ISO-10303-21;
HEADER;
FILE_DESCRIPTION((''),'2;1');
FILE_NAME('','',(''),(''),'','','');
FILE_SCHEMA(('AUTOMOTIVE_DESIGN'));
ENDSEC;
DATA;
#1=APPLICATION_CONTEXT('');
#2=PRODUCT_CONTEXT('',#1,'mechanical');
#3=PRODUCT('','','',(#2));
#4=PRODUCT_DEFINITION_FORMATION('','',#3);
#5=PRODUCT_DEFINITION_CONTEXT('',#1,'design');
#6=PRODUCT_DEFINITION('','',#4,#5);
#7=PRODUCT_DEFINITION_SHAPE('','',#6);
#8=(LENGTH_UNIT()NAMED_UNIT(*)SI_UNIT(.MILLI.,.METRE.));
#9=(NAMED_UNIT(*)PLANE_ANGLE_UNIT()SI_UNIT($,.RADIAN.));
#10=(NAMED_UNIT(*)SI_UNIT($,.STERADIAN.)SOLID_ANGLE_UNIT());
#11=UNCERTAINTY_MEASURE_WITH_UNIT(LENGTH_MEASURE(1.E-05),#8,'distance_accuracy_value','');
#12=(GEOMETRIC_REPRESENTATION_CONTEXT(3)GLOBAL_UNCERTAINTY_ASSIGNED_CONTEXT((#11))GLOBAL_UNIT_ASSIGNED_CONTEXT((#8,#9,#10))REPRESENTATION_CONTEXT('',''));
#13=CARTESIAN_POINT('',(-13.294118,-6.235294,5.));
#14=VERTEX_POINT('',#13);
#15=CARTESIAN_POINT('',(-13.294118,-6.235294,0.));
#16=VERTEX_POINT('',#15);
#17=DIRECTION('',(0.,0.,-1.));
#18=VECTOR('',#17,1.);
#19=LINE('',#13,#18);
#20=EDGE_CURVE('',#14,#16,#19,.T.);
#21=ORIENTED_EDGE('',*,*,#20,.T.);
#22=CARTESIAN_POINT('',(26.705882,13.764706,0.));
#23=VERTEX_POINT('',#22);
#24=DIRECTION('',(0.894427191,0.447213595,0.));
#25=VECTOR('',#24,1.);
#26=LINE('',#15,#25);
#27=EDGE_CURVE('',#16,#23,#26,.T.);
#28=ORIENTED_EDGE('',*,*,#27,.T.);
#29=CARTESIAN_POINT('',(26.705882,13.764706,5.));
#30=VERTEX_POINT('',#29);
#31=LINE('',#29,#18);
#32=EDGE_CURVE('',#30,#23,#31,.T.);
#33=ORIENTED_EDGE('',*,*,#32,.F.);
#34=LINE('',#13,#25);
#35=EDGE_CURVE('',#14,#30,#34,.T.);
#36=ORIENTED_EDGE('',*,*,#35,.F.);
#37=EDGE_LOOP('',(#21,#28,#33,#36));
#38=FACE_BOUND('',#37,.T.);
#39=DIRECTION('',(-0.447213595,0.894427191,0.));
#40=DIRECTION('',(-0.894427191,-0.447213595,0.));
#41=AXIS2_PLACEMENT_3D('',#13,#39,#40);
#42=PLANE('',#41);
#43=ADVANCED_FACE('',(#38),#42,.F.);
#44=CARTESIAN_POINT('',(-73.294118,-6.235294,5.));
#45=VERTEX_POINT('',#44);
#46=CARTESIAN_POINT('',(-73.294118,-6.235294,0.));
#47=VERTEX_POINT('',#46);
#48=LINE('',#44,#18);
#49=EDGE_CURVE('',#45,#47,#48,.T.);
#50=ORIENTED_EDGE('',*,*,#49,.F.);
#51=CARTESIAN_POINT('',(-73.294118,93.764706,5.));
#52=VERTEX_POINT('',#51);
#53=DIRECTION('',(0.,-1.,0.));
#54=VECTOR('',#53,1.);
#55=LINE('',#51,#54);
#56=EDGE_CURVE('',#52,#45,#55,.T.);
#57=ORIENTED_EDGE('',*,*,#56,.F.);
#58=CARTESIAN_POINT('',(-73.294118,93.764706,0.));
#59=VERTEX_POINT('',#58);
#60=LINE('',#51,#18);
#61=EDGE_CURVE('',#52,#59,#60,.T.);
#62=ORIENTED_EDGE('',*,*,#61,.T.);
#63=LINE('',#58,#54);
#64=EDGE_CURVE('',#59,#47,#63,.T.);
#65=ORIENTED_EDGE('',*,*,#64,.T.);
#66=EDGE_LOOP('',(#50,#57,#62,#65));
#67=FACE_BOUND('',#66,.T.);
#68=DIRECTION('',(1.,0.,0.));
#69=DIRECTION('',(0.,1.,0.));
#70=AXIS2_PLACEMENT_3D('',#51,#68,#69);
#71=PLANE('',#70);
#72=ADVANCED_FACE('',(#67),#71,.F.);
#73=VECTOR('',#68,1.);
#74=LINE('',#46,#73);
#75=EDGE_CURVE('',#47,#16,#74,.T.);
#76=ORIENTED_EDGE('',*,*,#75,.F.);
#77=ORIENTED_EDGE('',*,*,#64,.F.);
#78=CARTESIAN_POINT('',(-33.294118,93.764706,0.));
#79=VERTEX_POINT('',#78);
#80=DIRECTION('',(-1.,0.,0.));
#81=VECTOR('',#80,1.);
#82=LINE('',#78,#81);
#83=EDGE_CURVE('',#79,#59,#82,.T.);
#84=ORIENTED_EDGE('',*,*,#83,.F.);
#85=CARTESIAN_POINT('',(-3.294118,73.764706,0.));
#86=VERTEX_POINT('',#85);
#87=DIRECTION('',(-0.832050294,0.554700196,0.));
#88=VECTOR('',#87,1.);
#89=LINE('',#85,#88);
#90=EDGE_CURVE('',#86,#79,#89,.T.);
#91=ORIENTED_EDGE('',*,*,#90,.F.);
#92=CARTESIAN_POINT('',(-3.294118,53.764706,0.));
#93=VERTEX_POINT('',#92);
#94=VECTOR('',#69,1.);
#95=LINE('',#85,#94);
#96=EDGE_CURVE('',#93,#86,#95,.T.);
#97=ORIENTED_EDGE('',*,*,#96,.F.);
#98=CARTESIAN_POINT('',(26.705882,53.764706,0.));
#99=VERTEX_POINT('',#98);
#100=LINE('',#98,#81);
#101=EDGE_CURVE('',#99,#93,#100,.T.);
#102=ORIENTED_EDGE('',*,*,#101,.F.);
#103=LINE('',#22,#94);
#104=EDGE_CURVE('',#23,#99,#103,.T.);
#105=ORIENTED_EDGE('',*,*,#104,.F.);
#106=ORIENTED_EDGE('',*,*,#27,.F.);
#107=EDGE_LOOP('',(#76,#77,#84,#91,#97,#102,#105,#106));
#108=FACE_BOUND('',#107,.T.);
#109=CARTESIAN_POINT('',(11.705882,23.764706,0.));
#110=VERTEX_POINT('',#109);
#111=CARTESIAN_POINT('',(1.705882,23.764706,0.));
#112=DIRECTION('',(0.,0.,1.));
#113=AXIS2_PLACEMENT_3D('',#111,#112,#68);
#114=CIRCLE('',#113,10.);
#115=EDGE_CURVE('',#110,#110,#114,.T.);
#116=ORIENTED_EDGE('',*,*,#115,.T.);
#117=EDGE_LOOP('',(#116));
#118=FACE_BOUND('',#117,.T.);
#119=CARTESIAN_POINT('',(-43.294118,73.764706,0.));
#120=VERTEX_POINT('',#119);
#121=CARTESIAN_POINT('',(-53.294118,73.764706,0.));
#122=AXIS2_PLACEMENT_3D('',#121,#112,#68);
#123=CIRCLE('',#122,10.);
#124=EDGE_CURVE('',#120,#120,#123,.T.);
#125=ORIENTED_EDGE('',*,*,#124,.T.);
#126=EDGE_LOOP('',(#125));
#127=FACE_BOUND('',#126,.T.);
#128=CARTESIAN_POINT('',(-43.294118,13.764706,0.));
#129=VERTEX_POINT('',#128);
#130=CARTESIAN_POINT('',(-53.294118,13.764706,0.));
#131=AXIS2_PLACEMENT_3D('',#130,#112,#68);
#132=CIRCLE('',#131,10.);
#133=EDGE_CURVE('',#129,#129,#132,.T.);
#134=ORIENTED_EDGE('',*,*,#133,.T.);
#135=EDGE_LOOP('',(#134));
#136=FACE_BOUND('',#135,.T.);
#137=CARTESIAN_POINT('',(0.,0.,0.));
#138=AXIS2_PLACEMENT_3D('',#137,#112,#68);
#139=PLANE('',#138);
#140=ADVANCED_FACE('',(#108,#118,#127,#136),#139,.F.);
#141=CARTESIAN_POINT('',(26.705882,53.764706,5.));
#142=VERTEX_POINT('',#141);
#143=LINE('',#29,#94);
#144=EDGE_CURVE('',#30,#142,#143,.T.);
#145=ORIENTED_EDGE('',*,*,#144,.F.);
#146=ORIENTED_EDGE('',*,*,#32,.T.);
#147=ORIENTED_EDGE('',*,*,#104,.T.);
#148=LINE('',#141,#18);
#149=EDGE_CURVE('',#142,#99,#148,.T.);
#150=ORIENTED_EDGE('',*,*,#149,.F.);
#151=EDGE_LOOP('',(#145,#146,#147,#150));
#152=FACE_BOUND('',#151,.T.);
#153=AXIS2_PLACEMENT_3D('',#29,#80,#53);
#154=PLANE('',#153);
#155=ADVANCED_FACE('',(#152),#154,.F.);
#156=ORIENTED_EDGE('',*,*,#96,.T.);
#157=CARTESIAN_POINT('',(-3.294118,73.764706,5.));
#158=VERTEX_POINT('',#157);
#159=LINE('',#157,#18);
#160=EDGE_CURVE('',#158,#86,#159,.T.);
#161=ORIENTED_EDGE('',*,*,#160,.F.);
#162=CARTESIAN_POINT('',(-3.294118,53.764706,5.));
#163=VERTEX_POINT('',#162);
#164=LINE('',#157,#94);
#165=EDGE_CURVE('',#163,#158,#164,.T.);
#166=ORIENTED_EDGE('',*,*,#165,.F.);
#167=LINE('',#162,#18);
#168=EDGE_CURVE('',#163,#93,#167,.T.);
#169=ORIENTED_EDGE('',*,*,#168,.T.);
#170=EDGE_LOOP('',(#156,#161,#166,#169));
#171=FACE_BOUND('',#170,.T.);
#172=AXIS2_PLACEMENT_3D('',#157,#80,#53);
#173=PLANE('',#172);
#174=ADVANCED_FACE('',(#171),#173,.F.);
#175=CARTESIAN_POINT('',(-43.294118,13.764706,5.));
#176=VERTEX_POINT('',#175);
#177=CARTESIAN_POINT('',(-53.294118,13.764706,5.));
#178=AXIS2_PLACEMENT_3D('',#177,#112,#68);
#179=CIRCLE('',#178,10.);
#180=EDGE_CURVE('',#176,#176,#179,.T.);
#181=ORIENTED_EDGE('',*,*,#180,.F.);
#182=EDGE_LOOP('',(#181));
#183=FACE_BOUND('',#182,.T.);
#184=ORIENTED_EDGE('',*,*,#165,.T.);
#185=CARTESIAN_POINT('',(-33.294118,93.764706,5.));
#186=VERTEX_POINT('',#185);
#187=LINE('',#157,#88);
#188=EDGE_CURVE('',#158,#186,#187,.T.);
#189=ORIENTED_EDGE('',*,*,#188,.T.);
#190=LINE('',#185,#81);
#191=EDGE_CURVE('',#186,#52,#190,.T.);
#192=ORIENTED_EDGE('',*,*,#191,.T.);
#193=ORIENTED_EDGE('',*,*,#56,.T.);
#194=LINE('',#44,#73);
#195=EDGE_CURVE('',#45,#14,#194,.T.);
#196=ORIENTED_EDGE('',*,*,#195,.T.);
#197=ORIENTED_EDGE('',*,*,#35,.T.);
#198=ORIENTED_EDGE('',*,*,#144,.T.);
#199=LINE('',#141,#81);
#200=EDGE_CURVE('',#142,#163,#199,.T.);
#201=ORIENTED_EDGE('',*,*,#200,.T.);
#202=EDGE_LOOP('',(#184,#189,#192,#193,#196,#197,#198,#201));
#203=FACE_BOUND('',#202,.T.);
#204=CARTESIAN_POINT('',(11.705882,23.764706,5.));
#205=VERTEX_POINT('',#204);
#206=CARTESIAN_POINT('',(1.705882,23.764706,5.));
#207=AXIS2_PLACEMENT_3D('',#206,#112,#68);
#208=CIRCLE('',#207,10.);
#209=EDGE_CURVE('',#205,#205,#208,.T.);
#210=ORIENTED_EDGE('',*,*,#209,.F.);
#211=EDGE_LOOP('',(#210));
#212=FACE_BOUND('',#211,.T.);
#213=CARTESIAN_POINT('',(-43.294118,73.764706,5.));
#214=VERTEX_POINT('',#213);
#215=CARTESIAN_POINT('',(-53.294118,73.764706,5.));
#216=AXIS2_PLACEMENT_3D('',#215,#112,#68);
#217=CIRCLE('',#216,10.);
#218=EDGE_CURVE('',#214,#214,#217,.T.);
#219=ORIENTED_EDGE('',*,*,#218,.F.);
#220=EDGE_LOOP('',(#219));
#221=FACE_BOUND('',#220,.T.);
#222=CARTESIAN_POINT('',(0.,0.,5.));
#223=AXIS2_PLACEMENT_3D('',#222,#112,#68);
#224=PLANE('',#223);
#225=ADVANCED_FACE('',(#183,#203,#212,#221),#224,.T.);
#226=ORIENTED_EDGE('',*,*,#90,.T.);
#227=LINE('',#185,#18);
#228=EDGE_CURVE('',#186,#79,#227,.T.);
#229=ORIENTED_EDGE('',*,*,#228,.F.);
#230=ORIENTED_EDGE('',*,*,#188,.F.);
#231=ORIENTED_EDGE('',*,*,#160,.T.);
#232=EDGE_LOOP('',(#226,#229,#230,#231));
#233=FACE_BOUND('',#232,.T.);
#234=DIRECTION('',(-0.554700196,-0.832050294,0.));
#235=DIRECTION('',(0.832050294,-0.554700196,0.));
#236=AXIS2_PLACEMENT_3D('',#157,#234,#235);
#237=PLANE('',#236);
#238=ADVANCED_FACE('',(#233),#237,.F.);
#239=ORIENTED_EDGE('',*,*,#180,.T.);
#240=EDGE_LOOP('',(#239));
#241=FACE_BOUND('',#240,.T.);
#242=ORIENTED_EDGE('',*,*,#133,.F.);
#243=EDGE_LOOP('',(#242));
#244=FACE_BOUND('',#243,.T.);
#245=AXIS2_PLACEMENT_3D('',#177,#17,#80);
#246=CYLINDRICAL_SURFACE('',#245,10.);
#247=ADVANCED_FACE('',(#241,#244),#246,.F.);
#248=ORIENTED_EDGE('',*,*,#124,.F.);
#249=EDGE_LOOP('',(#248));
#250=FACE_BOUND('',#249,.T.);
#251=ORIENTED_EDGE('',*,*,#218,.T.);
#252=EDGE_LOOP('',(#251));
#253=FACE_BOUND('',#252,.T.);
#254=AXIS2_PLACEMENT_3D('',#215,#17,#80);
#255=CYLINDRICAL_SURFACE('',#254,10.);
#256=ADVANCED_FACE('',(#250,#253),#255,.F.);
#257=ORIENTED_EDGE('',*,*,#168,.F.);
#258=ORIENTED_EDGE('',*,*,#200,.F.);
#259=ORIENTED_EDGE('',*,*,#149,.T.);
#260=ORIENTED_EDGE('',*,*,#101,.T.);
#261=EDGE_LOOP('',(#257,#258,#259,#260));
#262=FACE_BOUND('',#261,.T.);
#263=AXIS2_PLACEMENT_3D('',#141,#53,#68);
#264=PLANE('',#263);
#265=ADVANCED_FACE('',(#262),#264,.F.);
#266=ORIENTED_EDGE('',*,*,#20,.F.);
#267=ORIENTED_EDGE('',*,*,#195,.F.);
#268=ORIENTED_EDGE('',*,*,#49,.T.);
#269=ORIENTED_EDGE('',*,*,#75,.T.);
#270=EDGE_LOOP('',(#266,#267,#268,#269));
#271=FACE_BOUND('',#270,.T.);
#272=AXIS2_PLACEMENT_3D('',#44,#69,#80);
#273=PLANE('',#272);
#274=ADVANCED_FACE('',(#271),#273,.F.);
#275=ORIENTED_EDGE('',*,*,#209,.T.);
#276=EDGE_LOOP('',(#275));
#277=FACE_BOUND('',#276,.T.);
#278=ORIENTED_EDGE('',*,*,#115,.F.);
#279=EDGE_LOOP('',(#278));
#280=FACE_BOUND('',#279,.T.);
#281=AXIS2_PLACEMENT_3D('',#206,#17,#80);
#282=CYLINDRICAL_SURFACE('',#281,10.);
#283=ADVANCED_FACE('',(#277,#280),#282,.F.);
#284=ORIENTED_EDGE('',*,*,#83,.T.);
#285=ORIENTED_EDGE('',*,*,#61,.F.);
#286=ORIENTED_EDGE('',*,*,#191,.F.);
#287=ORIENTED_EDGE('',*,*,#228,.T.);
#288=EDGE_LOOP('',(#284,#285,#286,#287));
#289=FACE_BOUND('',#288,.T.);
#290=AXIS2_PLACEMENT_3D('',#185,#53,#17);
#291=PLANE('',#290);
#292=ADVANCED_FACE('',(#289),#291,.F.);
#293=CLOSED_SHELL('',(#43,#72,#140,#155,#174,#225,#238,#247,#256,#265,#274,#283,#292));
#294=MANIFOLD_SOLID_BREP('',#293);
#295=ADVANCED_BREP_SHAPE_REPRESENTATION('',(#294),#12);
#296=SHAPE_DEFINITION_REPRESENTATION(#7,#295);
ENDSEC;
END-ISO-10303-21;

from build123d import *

# Parameters (mm, degrees)
SKETCH1_R           = 10
BOSS_EXTRUDE1_DEPTH = 5


with BuildPart() as part:
    # Sketch1 → Boss-Extrude1 (new body)
    with BuildSketch(Plane.XY):
        Polygon((-73.294117647, 93.764705882), (-73.294117647, -6.235294118), (-13.294117647, -6.235294118), (26.705882353, 13.764705882), (26.705882353, 53.764705882), (-3.294117647, 53.764705882), (-3.294117647, 73.764705882), (-33.294117647, 93.764705882), align=None)
        with Locations((-53.294117647, 73.764705882)):
            Circle(SKETCH1_R, mode=Mode.SUBTRACT)
        with Locations((-53.294117647, 13.764705882)):
            Circle(SKETCH1_R, mode=Mode.SUBTRACT)
        with Locations((1.705882353, 23.764705882)):
            Circle(SKETCH1_R, mode=Mode.SUBTRACT)
    extrude(amount=BOSS_EXTRUDE1_DEPTH)


solid = part.part
